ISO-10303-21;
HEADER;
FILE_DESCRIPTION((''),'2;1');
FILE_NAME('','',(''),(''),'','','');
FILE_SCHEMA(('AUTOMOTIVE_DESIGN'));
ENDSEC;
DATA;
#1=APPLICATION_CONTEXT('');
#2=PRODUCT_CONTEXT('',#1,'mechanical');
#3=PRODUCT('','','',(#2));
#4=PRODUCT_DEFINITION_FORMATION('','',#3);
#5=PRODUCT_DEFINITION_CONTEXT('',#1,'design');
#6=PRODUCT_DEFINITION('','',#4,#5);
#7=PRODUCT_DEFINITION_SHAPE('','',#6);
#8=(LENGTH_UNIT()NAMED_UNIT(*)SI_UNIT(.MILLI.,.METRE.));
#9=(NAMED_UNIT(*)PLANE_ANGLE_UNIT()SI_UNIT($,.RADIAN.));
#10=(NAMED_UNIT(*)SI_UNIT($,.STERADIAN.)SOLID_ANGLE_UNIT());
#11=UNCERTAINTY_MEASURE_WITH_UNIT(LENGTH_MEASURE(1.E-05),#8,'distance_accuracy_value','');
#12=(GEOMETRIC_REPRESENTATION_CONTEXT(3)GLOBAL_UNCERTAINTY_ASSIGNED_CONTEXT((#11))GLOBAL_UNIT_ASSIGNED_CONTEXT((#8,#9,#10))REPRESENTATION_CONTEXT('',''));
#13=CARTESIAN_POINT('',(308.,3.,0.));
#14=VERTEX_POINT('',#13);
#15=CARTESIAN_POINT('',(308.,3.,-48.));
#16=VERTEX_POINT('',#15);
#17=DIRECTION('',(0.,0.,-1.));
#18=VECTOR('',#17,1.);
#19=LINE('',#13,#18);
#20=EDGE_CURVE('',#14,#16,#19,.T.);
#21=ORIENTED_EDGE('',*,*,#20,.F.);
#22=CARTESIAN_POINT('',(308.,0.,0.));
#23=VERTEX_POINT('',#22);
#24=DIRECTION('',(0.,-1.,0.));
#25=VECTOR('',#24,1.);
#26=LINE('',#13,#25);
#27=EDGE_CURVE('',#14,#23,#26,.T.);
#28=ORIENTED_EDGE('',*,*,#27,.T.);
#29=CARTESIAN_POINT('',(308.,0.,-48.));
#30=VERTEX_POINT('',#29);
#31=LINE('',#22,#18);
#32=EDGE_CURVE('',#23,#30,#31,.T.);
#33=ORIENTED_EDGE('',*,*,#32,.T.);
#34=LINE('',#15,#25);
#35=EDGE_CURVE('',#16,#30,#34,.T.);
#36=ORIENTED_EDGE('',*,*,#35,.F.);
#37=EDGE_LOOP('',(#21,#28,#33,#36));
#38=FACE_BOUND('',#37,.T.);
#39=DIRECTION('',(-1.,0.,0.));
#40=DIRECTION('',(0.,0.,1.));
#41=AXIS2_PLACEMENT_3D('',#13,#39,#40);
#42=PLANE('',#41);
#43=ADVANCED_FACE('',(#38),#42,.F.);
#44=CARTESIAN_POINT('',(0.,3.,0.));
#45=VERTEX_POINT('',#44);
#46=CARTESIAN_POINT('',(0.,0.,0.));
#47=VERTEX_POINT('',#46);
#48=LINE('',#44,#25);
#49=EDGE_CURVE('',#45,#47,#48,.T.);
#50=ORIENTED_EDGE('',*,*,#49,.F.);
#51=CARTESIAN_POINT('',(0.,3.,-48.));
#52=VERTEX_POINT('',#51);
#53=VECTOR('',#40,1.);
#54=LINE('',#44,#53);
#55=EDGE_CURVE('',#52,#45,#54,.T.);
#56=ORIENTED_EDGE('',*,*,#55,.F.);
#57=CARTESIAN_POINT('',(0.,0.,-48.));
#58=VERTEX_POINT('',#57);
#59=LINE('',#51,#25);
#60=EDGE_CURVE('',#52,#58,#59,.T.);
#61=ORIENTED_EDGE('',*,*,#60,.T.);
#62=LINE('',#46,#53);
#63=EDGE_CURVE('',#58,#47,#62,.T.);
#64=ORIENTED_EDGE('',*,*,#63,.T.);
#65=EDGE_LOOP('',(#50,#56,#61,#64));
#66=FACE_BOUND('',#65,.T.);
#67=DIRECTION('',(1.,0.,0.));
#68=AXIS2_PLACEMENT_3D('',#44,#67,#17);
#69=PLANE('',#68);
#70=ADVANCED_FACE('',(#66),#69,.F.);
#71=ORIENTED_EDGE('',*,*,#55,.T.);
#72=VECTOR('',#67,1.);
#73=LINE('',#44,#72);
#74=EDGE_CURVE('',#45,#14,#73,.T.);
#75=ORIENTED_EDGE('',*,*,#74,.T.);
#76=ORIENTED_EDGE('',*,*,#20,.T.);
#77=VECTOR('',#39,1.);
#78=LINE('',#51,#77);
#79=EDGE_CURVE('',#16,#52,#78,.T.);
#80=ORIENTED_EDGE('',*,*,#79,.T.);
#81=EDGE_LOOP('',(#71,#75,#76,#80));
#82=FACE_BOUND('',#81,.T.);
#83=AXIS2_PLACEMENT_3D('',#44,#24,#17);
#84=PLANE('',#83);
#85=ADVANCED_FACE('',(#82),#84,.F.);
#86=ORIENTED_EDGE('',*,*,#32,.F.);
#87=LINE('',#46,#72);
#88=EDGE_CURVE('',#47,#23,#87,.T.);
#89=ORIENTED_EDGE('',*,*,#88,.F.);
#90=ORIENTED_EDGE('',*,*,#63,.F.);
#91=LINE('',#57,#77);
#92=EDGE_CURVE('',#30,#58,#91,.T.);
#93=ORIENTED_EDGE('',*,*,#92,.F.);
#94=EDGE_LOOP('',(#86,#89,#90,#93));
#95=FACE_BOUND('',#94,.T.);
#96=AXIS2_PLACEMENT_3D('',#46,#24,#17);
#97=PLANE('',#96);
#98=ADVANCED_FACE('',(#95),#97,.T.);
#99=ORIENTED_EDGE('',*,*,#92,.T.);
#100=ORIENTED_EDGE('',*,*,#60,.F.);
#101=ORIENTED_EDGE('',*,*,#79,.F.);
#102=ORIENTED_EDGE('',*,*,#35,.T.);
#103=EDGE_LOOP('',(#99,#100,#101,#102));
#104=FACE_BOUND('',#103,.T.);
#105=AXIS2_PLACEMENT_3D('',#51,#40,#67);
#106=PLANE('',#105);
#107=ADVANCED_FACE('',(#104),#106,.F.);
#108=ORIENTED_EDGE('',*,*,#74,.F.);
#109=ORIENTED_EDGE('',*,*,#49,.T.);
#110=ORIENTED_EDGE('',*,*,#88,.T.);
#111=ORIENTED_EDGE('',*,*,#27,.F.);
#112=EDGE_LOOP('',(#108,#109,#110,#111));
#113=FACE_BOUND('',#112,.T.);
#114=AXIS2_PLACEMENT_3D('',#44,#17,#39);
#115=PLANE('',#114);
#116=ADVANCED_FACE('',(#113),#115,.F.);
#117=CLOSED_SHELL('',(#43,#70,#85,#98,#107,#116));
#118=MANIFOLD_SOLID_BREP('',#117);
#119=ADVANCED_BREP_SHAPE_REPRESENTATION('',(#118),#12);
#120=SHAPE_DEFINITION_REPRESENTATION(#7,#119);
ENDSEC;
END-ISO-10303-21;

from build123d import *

# Parameters (mm, degrees)
CROQUIS1_W              = 308
CROQUIS1_H              = 48
SALIENTE_EXTRUIR1_DEPTH = 3


with BuildPart() as part:
    # Croquis1 → Saliente-Extruir1 (new body)
    with BuildSketch(Plane(origin=(0, 0, 0), x_dir=(1, 0, 0), z_dir=(0, 1, 0))):
        with Locations((154, 24)):
            Rectangle(CROQUIS1_W, CROQUIS1_H)
    extrude(amount=SALIENTE_EXTRUIR1_DEPTH)


solid = part.part
